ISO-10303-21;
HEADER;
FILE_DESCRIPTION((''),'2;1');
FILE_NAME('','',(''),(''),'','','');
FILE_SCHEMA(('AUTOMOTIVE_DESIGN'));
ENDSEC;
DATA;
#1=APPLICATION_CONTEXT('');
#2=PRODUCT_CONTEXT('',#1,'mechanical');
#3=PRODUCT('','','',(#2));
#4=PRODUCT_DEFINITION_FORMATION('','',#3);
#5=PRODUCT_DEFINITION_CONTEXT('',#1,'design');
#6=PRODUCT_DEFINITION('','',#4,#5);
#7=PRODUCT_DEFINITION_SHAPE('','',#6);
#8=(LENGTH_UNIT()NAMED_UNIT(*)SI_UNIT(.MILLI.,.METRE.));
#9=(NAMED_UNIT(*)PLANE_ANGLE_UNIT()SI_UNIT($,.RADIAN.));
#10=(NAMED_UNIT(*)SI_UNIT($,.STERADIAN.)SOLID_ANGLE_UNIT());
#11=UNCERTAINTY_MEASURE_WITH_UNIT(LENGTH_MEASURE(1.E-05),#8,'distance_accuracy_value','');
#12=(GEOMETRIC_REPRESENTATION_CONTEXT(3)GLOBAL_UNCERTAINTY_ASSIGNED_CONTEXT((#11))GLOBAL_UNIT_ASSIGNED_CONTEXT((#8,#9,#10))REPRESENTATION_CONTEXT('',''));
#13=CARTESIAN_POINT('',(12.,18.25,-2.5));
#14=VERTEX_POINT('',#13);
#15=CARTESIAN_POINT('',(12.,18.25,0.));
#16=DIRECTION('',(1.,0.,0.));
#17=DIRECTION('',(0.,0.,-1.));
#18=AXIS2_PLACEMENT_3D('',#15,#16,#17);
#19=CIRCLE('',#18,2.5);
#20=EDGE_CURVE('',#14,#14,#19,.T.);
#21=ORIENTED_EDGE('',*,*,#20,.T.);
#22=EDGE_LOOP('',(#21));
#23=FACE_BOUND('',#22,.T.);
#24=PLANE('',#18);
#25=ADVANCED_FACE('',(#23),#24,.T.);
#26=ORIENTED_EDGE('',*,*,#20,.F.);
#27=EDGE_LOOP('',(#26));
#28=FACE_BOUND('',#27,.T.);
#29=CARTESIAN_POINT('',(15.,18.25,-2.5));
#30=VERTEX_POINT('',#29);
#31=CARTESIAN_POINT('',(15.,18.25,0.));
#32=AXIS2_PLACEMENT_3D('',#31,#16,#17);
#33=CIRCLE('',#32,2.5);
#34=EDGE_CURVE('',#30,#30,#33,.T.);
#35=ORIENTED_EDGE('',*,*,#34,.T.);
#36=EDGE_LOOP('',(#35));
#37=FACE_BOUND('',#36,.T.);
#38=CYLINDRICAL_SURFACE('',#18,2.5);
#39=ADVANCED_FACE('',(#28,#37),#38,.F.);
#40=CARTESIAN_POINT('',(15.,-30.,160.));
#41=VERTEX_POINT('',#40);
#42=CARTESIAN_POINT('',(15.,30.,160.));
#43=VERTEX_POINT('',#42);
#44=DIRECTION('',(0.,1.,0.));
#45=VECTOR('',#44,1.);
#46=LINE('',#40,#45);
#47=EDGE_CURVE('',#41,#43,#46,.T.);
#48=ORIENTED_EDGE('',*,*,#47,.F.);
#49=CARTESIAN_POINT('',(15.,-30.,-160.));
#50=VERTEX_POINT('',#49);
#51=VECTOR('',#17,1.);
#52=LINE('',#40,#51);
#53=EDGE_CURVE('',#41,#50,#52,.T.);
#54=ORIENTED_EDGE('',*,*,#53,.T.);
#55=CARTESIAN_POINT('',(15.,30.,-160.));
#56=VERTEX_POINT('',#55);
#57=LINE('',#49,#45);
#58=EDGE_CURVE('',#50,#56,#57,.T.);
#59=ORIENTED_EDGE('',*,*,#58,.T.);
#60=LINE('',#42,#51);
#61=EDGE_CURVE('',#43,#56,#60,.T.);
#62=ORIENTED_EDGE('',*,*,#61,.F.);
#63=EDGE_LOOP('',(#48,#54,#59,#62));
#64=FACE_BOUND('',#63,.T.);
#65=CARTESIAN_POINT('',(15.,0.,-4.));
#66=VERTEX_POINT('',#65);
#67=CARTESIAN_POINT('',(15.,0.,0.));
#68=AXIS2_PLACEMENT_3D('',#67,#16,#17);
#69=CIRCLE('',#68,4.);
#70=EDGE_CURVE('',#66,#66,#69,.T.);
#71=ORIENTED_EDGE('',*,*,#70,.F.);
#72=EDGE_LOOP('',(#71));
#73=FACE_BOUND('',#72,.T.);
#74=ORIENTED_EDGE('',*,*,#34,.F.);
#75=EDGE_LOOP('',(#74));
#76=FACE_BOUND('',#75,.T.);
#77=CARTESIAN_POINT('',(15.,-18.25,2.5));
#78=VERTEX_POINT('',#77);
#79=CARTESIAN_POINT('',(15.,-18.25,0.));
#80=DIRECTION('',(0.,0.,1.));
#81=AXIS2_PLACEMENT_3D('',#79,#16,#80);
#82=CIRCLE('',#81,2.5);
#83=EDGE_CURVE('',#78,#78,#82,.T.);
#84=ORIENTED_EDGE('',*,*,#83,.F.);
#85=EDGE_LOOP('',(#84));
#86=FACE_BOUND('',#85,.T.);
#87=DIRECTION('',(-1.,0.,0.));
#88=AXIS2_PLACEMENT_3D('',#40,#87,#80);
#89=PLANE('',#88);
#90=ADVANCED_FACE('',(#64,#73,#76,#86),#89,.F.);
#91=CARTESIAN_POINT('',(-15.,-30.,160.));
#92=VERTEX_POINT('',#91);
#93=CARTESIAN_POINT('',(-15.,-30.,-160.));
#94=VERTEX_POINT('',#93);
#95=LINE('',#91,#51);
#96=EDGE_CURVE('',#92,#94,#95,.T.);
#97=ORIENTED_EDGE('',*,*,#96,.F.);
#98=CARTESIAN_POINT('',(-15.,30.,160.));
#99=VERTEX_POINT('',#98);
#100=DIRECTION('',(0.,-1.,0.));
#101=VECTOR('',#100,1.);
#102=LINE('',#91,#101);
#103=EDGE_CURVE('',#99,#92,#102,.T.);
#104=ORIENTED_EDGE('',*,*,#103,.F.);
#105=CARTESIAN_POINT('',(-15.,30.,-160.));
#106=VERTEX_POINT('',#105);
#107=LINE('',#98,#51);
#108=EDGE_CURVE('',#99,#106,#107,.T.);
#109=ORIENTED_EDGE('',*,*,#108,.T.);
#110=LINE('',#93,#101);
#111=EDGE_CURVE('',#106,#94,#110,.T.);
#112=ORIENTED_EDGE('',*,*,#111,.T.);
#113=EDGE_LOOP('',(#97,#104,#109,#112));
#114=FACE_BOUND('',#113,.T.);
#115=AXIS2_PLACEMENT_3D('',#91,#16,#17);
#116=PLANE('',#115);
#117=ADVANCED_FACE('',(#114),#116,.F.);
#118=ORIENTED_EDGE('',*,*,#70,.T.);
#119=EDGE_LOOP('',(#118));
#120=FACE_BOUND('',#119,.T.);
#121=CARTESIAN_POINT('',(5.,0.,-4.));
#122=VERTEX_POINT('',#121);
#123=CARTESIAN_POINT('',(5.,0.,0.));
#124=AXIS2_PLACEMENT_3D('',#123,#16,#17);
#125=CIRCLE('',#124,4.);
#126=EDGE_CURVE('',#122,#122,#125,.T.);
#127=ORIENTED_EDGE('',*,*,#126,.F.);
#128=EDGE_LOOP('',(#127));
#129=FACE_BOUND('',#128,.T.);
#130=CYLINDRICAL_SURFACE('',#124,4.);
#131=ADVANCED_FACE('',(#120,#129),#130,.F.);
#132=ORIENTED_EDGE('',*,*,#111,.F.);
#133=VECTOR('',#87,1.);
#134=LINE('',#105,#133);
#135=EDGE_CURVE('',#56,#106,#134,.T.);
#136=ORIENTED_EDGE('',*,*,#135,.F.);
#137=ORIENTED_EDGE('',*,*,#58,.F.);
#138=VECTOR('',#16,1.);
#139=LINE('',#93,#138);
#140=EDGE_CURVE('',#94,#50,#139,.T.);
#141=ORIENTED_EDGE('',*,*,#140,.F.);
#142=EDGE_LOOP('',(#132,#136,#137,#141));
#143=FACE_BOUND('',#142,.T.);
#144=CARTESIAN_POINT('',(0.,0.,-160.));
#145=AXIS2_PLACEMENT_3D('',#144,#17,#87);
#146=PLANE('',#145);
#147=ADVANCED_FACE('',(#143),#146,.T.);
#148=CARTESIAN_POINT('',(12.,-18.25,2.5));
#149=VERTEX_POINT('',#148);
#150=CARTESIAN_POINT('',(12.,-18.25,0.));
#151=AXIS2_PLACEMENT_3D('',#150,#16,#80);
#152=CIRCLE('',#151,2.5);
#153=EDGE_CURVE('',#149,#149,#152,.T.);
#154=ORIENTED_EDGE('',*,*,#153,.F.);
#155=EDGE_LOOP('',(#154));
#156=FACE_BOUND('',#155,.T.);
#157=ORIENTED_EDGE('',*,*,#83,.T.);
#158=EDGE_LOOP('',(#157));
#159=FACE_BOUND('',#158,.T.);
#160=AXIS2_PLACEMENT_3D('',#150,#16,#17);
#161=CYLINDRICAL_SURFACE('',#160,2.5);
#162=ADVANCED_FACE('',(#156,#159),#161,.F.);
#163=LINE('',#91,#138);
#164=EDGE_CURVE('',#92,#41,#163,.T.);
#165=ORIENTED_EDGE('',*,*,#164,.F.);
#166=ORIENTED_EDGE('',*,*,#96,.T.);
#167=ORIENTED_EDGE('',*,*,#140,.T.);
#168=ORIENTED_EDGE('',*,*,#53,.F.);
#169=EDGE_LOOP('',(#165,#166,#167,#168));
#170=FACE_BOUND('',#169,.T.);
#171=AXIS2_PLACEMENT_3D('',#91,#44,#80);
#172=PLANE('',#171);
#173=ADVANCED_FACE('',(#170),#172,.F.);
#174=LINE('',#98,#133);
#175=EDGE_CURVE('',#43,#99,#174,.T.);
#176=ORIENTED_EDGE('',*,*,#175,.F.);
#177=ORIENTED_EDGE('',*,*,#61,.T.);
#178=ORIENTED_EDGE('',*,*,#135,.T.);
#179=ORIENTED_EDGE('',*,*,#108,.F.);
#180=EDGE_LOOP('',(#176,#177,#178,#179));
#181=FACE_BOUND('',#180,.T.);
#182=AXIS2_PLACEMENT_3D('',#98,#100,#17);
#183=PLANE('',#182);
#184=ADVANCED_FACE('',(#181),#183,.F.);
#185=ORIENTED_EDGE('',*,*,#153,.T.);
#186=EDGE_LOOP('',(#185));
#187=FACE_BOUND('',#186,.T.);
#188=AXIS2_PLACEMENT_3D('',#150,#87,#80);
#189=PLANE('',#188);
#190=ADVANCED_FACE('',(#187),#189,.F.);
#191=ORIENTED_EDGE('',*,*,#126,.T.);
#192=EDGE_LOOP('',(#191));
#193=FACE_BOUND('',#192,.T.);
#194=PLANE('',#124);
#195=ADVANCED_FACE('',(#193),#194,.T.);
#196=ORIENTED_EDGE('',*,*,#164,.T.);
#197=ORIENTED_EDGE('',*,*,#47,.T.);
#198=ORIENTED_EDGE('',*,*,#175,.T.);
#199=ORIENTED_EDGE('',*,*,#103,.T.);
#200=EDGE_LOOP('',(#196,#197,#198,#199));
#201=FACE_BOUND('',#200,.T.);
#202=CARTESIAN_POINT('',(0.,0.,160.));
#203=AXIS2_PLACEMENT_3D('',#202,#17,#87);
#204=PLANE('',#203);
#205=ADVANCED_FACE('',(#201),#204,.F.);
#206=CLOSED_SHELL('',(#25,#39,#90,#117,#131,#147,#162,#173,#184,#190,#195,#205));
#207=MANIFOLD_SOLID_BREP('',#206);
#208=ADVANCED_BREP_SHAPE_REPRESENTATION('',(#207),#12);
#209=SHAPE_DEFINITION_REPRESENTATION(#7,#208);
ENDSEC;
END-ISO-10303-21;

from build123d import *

# Parameters (mm, degrees)
SKETCH1_W           = 30
SKETCH1_H           = 60
BOSS_EXTRUDE1_DEPTH = 160
SKETCH2_R           = 2.5
CUT_EXTRUDE1_DEPTH  = 3
SKETCH3_R           = 4
CUT_EXTRUDE2_DEPTH  = 10


with BuildPart() as part:
    # Sketch1 → Boss-Extrude1 (new, symmetric)
    with BuildSketch(Plane.XY):
        Rectangle(SKETCH1_W, SKETCH1_H)
    extrude(amount=BOSS_EXTRUDE1_DEPTH, both=True)

    # Sketch2 → Cut-Extrude1 (cut)
    with BuildSketch(Plane(origin=(15, 0, 0), x_dir=(0, 0, -1), z_dir=(1, 0, 0))):
        with Locations((0, 18.25)):
            Circle(SKETCH2_R)
        with Locations(Location((0, -18.25, 0), (0, 0, 180))):
            Circle(SKETCH2_R)
    extrude(amount=-CUT_EXTRUDE1_DEPTH, mode=Mode.SUBTRACT)

    # Sketch3 → Cut-Extrude2 (cut)
    with BuildSketch(Plane(origin=(15, 0, 0), x_dir=(0, 0, -1), z_dir=(1, 0, 0))):
        Circle(SKETCH3_R)
    extrude(amount=-CUT_EXTRUDE2_DEPTH, mode=Mode.SUBTRACT)


solid = part.part
